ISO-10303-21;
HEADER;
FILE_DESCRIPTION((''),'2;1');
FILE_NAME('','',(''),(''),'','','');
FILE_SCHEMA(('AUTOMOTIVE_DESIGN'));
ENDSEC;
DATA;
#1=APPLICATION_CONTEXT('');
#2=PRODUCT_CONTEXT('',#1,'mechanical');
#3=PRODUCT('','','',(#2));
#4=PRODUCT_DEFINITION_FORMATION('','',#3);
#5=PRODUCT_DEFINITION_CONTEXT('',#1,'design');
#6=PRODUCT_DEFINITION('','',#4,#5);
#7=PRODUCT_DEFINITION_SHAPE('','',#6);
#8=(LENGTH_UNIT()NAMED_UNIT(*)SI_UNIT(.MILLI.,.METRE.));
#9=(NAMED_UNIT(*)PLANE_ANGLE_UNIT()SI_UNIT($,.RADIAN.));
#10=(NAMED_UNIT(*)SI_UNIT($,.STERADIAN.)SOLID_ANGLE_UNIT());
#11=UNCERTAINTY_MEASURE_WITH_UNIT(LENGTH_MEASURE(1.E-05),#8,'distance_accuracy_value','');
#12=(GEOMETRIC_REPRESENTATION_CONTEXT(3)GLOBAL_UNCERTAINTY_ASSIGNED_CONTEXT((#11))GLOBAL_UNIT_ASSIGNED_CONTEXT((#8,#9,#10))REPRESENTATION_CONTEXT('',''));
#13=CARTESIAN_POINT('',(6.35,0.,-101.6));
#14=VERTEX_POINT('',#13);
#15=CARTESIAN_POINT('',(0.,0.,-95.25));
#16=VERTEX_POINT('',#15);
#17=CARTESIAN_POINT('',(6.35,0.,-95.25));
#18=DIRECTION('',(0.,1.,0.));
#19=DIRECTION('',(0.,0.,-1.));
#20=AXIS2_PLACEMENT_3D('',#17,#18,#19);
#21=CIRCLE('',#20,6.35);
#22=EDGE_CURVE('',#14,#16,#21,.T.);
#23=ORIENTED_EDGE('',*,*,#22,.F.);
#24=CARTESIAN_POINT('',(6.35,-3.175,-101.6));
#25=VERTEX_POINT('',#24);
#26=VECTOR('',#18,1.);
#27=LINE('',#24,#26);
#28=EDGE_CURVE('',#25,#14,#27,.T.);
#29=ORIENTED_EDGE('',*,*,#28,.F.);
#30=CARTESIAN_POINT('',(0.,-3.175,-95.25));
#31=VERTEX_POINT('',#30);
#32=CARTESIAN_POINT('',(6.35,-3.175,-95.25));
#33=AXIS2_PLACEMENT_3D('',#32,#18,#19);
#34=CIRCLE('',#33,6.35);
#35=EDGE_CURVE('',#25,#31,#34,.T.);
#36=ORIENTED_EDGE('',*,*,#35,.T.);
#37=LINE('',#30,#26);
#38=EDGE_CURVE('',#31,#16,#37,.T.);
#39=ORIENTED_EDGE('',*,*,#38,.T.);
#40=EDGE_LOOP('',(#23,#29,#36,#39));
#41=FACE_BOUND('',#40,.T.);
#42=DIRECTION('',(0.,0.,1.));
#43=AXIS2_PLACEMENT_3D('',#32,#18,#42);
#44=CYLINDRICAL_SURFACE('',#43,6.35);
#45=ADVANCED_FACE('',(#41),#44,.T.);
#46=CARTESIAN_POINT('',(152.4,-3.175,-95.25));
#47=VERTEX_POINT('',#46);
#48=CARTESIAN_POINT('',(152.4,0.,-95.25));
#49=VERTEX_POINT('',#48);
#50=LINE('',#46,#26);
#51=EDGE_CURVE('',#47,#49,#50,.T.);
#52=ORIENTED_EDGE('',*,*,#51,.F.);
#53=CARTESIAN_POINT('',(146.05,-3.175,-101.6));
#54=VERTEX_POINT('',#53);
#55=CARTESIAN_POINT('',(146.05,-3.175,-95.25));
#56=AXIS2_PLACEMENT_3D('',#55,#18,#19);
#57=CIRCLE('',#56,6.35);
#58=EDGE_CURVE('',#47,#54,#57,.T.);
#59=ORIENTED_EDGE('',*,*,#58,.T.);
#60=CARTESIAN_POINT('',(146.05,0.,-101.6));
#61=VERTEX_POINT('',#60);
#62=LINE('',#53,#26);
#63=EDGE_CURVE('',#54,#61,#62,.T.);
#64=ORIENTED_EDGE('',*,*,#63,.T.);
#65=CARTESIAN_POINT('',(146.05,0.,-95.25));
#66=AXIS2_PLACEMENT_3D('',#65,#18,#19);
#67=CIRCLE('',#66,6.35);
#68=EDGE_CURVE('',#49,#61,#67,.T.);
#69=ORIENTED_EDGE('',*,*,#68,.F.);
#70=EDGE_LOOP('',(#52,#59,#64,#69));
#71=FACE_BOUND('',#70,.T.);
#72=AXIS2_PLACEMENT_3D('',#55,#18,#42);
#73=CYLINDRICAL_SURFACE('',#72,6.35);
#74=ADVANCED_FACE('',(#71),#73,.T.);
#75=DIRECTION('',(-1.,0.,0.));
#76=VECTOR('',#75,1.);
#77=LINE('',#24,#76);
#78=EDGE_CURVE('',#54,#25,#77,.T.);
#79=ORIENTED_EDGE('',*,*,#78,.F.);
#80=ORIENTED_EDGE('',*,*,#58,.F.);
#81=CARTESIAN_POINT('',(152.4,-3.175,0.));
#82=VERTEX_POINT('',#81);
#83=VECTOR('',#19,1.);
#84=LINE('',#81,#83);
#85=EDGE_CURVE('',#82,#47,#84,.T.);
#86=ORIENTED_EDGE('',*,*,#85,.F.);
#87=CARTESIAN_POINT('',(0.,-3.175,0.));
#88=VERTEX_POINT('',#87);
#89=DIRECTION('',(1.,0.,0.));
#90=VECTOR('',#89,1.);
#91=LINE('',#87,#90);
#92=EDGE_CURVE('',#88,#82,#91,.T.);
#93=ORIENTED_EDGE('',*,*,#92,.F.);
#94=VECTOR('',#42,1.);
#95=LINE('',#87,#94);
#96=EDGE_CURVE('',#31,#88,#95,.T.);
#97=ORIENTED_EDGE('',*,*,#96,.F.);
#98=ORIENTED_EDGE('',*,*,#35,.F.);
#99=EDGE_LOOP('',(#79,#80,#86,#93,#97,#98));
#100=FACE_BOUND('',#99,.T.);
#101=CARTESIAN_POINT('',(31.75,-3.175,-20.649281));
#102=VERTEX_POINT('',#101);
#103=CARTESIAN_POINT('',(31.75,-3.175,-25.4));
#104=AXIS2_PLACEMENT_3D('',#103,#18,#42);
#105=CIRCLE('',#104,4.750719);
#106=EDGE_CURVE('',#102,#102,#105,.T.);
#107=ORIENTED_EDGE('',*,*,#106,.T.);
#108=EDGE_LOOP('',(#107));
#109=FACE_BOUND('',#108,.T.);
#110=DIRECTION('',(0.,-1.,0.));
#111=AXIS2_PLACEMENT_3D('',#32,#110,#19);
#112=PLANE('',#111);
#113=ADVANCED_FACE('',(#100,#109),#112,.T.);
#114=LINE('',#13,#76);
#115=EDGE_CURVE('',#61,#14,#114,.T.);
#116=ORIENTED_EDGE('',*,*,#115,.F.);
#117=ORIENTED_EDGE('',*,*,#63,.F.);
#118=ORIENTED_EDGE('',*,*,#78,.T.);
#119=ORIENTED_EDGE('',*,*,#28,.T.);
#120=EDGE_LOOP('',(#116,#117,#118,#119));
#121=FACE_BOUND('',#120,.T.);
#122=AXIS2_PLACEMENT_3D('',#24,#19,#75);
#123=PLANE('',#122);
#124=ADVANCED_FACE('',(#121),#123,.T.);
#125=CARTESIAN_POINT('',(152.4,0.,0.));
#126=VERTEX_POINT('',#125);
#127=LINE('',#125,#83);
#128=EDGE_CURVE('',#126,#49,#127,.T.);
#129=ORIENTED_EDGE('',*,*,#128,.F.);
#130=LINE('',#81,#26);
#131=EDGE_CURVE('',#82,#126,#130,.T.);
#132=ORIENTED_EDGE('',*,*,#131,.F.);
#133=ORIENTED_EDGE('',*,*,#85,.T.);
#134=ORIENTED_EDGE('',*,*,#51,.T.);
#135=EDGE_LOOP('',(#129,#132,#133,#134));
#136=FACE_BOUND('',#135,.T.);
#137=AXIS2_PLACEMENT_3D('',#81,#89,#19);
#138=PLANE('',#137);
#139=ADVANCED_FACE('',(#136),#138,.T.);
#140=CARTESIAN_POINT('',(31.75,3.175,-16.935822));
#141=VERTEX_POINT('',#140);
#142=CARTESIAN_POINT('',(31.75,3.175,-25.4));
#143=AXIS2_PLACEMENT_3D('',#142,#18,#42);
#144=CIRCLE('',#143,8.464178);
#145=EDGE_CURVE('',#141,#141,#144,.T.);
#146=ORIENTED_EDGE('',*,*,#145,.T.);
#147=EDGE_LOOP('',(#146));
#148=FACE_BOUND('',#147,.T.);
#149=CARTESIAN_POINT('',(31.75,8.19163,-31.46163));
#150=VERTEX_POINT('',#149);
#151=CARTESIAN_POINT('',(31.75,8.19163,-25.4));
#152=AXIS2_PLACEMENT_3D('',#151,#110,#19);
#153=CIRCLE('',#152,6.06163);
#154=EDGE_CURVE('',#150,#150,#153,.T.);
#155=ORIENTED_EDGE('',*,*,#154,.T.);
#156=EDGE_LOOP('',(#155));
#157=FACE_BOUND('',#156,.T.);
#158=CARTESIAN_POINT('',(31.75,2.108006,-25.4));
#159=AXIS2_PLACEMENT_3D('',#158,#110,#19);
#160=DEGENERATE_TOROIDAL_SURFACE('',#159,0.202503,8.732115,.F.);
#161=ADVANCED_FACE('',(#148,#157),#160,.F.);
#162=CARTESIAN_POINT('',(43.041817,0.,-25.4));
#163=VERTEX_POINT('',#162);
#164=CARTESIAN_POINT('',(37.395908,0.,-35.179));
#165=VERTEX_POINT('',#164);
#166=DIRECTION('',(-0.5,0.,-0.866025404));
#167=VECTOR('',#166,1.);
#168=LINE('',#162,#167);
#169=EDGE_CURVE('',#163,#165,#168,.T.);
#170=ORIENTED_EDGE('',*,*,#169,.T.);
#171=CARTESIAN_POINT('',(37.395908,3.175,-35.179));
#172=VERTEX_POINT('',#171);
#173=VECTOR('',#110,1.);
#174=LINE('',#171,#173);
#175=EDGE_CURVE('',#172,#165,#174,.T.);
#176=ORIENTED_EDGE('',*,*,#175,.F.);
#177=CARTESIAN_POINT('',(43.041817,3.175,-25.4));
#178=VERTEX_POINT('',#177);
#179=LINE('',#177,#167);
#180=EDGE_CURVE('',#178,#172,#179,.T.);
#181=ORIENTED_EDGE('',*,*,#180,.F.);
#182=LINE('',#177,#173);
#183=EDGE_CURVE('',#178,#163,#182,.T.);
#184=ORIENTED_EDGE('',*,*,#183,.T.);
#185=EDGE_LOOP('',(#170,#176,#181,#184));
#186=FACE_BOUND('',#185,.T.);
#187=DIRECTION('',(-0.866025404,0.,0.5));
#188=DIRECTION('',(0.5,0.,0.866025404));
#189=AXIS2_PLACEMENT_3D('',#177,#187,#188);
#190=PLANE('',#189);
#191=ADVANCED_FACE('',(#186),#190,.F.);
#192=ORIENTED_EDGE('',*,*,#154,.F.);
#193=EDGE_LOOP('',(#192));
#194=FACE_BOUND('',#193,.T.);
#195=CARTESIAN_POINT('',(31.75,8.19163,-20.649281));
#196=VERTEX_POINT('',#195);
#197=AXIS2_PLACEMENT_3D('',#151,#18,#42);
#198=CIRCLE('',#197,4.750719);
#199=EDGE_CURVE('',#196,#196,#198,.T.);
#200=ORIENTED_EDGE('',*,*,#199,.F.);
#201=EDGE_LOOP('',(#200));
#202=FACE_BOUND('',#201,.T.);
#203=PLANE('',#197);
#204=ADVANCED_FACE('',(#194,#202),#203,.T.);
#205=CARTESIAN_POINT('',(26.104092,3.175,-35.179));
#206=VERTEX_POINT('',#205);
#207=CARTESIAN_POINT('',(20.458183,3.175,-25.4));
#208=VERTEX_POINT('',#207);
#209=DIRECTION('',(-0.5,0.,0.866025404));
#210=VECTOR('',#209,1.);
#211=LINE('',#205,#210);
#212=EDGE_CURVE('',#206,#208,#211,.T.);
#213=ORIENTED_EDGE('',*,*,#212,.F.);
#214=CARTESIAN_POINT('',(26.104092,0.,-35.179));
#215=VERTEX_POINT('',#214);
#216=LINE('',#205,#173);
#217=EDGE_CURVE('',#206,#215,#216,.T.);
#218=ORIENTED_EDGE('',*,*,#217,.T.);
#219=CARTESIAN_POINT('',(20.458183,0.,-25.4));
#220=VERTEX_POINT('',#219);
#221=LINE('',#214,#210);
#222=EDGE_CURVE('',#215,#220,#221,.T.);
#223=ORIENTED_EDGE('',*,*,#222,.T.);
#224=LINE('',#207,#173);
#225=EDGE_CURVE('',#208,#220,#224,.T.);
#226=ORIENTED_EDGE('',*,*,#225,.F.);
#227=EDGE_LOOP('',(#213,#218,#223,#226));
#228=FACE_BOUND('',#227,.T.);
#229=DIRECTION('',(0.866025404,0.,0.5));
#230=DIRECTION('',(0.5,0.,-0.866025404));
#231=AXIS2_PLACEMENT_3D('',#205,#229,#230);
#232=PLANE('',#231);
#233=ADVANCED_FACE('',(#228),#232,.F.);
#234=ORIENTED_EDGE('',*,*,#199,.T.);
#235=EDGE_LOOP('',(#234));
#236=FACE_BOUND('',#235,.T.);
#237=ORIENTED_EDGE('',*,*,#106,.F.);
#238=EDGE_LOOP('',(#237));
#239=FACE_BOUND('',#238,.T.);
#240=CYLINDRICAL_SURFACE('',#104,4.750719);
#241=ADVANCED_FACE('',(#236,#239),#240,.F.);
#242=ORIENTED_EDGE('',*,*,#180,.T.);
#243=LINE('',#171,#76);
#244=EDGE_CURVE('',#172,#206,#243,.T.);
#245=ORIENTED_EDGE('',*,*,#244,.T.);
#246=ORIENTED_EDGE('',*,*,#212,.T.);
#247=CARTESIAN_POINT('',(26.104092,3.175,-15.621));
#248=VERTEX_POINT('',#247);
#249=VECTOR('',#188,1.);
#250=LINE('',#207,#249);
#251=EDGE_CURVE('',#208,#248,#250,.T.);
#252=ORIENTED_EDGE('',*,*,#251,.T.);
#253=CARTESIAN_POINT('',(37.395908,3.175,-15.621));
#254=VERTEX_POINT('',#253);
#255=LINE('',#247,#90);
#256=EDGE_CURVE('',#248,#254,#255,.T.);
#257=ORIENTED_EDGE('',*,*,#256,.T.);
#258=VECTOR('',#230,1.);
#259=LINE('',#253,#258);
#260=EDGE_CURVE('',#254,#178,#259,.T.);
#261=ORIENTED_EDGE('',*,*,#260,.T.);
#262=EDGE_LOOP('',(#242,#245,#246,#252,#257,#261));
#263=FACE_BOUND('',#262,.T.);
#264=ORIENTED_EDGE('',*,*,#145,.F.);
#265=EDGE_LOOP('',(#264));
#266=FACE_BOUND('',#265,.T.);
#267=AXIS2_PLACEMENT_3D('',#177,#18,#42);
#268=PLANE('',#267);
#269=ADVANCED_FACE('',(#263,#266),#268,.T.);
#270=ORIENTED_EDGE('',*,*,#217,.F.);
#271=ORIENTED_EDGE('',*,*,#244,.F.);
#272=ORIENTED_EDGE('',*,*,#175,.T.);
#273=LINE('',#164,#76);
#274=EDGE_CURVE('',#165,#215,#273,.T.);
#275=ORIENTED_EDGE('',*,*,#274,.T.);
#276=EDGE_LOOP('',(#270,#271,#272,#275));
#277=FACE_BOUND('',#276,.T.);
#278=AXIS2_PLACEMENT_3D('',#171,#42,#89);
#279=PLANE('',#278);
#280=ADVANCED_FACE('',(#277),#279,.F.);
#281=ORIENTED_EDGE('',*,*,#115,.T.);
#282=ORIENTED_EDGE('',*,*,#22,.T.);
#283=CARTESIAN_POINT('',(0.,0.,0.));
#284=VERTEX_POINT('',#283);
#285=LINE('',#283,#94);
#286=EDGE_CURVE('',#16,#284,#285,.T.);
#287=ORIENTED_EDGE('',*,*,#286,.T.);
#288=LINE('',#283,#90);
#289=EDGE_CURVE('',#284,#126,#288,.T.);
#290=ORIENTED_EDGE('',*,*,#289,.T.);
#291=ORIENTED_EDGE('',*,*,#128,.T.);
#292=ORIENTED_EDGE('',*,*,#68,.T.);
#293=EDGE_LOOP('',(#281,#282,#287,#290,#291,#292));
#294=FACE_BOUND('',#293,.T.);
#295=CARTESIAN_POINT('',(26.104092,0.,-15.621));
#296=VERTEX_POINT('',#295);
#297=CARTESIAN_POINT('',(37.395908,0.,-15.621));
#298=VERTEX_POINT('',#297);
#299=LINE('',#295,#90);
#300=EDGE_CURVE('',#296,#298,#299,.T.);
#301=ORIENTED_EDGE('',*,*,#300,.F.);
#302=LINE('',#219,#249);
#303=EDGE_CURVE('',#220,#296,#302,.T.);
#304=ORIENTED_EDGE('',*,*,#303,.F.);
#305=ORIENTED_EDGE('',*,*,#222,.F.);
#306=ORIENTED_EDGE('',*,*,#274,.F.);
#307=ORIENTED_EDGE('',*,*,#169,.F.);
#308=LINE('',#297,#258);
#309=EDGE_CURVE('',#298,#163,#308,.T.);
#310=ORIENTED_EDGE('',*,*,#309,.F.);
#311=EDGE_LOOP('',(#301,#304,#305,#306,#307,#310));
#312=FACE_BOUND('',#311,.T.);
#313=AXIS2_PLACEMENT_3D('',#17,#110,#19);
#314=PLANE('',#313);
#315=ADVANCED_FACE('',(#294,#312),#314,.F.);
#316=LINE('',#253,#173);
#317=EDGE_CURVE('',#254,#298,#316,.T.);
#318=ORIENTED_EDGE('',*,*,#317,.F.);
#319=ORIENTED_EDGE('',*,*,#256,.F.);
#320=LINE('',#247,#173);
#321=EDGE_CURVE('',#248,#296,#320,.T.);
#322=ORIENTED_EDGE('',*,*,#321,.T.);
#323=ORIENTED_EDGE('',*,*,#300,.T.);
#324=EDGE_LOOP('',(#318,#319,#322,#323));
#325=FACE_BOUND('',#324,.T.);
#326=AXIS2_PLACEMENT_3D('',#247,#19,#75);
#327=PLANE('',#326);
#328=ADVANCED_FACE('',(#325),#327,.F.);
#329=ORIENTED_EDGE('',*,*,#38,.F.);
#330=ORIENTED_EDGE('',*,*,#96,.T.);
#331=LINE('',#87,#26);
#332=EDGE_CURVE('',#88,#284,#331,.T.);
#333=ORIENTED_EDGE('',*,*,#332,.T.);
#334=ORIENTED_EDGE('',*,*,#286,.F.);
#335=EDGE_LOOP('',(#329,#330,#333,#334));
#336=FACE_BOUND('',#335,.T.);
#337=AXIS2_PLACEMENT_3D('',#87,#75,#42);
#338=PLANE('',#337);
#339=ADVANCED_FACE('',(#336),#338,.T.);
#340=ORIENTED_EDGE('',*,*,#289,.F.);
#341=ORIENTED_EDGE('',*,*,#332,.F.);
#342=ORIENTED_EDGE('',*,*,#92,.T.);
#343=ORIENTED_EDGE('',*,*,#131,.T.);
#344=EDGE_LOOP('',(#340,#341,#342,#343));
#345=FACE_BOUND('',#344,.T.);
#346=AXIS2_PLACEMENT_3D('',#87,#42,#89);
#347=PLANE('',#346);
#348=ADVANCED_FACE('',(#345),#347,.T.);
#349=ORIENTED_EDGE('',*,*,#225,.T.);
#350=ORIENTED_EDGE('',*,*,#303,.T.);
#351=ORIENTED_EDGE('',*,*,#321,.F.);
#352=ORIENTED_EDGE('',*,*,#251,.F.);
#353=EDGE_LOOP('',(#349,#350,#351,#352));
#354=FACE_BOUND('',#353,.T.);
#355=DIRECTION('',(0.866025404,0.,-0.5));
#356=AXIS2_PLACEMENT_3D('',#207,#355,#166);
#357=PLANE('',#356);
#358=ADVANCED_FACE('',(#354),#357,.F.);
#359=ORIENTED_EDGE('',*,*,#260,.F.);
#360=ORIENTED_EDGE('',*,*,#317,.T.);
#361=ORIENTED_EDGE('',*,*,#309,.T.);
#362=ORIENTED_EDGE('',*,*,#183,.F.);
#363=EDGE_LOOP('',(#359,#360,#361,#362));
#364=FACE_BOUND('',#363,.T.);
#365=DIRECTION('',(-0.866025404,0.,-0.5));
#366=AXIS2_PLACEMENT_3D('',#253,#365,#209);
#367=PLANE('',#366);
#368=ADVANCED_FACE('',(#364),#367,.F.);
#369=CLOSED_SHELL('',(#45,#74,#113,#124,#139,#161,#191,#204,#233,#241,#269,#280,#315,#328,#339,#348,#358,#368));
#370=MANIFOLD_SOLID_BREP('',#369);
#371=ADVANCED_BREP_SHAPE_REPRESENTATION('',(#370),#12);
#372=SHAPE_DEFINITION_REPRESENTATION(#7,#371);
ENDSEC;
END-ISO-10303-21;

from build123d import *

# Parameters (mm, degrees)
EXTRUDE1_DEPTH = 3.175
EXTRUDE2_DEPTH = 3.175
SKETCH4_R      = 4.750719405
EXTRUDE3_DEPTH = 184.514359856


with BuildPart() as part:
    # Sketch1 → Extrude1 (new body)
    with BuildSketch(Plane(origin=(0, 0, 0), x_dir=(1, 0, 0), z_dir=(0, 1, 0))):
        with BuildLine():
            Line((0, 0), (152.4, 0))
            Line((152.4, 0), (152.4, 95.25))
            ThreePointArc((152.4, 95.25), (150.540128061, 99.740128061), (146.05, 101.6))
            Line((146.05, 101.6), (6.35, 101.6))
            ThreePointArc((6.35, 101.6), (1.859871939, 99.740128061), (0, 95.25))
            Line((0, 95.25), (0, 0))
        make_face()
    extrude(amount=-EXTRUDE1_DEPTH)

    # Sketch2 → Extrude2 (add)
    with BuildSketch(Plane(origin=(0, 0, 0), x_dir=(1, 0, 0), z_dir=(0, 1, 0))):
        Polygon((43.041816565, 25.4), (37.395908282, 35.179), (26.104091718, 35.179), (20.458183435, 25.4), (26.104091718, 15.621), (37.395908282, 15.621), align=None)
    extrude(amount=EXTRUDE2_DEPTH)

    # Sketch3 → Revolve1 (revolve)
    with BuildSketch(Plane.XY.offset(-25.4), mode=Mode.PRIVATE) as revolve1_sk:
        with BuildLine():
            Line((31.75, 8.191629817), (37.811630026, 8.191629817))
            ThreePointArc((37.811630026, 8.191629817), (39.423025401, 5.879728861), (40.214178276, 3.175))
            Line((40.214178276, 3.175), (31.75, 3.175))
            Line((31.75, 3.175), (31.75, 8.191629817))
        make_face()
    revolve(revolve1_sk.sketch.rotate(Axis((31.75, 3.175, -25.4), (0, 1, 0)), 270), axis=Axis((31.75, 3.175, -25.4), (0, 1, 0)))

    # Sketch4 → Extrude3 (cut, through all)
    with BuildSketch(Plane(origin=(0, 8.191629817, 0), x_dir=(-1, 0, 0), z_dir=(0, 1, 0))):
        with Locations(Location((-31.75, -25.4, 0), (0, 0, 90))):
            Circle(SKETCH4_R)
    extrude(amount=-EXTRUDE3_DEPTH, mode=Mode.SUBTRACT)


solid = part.part
